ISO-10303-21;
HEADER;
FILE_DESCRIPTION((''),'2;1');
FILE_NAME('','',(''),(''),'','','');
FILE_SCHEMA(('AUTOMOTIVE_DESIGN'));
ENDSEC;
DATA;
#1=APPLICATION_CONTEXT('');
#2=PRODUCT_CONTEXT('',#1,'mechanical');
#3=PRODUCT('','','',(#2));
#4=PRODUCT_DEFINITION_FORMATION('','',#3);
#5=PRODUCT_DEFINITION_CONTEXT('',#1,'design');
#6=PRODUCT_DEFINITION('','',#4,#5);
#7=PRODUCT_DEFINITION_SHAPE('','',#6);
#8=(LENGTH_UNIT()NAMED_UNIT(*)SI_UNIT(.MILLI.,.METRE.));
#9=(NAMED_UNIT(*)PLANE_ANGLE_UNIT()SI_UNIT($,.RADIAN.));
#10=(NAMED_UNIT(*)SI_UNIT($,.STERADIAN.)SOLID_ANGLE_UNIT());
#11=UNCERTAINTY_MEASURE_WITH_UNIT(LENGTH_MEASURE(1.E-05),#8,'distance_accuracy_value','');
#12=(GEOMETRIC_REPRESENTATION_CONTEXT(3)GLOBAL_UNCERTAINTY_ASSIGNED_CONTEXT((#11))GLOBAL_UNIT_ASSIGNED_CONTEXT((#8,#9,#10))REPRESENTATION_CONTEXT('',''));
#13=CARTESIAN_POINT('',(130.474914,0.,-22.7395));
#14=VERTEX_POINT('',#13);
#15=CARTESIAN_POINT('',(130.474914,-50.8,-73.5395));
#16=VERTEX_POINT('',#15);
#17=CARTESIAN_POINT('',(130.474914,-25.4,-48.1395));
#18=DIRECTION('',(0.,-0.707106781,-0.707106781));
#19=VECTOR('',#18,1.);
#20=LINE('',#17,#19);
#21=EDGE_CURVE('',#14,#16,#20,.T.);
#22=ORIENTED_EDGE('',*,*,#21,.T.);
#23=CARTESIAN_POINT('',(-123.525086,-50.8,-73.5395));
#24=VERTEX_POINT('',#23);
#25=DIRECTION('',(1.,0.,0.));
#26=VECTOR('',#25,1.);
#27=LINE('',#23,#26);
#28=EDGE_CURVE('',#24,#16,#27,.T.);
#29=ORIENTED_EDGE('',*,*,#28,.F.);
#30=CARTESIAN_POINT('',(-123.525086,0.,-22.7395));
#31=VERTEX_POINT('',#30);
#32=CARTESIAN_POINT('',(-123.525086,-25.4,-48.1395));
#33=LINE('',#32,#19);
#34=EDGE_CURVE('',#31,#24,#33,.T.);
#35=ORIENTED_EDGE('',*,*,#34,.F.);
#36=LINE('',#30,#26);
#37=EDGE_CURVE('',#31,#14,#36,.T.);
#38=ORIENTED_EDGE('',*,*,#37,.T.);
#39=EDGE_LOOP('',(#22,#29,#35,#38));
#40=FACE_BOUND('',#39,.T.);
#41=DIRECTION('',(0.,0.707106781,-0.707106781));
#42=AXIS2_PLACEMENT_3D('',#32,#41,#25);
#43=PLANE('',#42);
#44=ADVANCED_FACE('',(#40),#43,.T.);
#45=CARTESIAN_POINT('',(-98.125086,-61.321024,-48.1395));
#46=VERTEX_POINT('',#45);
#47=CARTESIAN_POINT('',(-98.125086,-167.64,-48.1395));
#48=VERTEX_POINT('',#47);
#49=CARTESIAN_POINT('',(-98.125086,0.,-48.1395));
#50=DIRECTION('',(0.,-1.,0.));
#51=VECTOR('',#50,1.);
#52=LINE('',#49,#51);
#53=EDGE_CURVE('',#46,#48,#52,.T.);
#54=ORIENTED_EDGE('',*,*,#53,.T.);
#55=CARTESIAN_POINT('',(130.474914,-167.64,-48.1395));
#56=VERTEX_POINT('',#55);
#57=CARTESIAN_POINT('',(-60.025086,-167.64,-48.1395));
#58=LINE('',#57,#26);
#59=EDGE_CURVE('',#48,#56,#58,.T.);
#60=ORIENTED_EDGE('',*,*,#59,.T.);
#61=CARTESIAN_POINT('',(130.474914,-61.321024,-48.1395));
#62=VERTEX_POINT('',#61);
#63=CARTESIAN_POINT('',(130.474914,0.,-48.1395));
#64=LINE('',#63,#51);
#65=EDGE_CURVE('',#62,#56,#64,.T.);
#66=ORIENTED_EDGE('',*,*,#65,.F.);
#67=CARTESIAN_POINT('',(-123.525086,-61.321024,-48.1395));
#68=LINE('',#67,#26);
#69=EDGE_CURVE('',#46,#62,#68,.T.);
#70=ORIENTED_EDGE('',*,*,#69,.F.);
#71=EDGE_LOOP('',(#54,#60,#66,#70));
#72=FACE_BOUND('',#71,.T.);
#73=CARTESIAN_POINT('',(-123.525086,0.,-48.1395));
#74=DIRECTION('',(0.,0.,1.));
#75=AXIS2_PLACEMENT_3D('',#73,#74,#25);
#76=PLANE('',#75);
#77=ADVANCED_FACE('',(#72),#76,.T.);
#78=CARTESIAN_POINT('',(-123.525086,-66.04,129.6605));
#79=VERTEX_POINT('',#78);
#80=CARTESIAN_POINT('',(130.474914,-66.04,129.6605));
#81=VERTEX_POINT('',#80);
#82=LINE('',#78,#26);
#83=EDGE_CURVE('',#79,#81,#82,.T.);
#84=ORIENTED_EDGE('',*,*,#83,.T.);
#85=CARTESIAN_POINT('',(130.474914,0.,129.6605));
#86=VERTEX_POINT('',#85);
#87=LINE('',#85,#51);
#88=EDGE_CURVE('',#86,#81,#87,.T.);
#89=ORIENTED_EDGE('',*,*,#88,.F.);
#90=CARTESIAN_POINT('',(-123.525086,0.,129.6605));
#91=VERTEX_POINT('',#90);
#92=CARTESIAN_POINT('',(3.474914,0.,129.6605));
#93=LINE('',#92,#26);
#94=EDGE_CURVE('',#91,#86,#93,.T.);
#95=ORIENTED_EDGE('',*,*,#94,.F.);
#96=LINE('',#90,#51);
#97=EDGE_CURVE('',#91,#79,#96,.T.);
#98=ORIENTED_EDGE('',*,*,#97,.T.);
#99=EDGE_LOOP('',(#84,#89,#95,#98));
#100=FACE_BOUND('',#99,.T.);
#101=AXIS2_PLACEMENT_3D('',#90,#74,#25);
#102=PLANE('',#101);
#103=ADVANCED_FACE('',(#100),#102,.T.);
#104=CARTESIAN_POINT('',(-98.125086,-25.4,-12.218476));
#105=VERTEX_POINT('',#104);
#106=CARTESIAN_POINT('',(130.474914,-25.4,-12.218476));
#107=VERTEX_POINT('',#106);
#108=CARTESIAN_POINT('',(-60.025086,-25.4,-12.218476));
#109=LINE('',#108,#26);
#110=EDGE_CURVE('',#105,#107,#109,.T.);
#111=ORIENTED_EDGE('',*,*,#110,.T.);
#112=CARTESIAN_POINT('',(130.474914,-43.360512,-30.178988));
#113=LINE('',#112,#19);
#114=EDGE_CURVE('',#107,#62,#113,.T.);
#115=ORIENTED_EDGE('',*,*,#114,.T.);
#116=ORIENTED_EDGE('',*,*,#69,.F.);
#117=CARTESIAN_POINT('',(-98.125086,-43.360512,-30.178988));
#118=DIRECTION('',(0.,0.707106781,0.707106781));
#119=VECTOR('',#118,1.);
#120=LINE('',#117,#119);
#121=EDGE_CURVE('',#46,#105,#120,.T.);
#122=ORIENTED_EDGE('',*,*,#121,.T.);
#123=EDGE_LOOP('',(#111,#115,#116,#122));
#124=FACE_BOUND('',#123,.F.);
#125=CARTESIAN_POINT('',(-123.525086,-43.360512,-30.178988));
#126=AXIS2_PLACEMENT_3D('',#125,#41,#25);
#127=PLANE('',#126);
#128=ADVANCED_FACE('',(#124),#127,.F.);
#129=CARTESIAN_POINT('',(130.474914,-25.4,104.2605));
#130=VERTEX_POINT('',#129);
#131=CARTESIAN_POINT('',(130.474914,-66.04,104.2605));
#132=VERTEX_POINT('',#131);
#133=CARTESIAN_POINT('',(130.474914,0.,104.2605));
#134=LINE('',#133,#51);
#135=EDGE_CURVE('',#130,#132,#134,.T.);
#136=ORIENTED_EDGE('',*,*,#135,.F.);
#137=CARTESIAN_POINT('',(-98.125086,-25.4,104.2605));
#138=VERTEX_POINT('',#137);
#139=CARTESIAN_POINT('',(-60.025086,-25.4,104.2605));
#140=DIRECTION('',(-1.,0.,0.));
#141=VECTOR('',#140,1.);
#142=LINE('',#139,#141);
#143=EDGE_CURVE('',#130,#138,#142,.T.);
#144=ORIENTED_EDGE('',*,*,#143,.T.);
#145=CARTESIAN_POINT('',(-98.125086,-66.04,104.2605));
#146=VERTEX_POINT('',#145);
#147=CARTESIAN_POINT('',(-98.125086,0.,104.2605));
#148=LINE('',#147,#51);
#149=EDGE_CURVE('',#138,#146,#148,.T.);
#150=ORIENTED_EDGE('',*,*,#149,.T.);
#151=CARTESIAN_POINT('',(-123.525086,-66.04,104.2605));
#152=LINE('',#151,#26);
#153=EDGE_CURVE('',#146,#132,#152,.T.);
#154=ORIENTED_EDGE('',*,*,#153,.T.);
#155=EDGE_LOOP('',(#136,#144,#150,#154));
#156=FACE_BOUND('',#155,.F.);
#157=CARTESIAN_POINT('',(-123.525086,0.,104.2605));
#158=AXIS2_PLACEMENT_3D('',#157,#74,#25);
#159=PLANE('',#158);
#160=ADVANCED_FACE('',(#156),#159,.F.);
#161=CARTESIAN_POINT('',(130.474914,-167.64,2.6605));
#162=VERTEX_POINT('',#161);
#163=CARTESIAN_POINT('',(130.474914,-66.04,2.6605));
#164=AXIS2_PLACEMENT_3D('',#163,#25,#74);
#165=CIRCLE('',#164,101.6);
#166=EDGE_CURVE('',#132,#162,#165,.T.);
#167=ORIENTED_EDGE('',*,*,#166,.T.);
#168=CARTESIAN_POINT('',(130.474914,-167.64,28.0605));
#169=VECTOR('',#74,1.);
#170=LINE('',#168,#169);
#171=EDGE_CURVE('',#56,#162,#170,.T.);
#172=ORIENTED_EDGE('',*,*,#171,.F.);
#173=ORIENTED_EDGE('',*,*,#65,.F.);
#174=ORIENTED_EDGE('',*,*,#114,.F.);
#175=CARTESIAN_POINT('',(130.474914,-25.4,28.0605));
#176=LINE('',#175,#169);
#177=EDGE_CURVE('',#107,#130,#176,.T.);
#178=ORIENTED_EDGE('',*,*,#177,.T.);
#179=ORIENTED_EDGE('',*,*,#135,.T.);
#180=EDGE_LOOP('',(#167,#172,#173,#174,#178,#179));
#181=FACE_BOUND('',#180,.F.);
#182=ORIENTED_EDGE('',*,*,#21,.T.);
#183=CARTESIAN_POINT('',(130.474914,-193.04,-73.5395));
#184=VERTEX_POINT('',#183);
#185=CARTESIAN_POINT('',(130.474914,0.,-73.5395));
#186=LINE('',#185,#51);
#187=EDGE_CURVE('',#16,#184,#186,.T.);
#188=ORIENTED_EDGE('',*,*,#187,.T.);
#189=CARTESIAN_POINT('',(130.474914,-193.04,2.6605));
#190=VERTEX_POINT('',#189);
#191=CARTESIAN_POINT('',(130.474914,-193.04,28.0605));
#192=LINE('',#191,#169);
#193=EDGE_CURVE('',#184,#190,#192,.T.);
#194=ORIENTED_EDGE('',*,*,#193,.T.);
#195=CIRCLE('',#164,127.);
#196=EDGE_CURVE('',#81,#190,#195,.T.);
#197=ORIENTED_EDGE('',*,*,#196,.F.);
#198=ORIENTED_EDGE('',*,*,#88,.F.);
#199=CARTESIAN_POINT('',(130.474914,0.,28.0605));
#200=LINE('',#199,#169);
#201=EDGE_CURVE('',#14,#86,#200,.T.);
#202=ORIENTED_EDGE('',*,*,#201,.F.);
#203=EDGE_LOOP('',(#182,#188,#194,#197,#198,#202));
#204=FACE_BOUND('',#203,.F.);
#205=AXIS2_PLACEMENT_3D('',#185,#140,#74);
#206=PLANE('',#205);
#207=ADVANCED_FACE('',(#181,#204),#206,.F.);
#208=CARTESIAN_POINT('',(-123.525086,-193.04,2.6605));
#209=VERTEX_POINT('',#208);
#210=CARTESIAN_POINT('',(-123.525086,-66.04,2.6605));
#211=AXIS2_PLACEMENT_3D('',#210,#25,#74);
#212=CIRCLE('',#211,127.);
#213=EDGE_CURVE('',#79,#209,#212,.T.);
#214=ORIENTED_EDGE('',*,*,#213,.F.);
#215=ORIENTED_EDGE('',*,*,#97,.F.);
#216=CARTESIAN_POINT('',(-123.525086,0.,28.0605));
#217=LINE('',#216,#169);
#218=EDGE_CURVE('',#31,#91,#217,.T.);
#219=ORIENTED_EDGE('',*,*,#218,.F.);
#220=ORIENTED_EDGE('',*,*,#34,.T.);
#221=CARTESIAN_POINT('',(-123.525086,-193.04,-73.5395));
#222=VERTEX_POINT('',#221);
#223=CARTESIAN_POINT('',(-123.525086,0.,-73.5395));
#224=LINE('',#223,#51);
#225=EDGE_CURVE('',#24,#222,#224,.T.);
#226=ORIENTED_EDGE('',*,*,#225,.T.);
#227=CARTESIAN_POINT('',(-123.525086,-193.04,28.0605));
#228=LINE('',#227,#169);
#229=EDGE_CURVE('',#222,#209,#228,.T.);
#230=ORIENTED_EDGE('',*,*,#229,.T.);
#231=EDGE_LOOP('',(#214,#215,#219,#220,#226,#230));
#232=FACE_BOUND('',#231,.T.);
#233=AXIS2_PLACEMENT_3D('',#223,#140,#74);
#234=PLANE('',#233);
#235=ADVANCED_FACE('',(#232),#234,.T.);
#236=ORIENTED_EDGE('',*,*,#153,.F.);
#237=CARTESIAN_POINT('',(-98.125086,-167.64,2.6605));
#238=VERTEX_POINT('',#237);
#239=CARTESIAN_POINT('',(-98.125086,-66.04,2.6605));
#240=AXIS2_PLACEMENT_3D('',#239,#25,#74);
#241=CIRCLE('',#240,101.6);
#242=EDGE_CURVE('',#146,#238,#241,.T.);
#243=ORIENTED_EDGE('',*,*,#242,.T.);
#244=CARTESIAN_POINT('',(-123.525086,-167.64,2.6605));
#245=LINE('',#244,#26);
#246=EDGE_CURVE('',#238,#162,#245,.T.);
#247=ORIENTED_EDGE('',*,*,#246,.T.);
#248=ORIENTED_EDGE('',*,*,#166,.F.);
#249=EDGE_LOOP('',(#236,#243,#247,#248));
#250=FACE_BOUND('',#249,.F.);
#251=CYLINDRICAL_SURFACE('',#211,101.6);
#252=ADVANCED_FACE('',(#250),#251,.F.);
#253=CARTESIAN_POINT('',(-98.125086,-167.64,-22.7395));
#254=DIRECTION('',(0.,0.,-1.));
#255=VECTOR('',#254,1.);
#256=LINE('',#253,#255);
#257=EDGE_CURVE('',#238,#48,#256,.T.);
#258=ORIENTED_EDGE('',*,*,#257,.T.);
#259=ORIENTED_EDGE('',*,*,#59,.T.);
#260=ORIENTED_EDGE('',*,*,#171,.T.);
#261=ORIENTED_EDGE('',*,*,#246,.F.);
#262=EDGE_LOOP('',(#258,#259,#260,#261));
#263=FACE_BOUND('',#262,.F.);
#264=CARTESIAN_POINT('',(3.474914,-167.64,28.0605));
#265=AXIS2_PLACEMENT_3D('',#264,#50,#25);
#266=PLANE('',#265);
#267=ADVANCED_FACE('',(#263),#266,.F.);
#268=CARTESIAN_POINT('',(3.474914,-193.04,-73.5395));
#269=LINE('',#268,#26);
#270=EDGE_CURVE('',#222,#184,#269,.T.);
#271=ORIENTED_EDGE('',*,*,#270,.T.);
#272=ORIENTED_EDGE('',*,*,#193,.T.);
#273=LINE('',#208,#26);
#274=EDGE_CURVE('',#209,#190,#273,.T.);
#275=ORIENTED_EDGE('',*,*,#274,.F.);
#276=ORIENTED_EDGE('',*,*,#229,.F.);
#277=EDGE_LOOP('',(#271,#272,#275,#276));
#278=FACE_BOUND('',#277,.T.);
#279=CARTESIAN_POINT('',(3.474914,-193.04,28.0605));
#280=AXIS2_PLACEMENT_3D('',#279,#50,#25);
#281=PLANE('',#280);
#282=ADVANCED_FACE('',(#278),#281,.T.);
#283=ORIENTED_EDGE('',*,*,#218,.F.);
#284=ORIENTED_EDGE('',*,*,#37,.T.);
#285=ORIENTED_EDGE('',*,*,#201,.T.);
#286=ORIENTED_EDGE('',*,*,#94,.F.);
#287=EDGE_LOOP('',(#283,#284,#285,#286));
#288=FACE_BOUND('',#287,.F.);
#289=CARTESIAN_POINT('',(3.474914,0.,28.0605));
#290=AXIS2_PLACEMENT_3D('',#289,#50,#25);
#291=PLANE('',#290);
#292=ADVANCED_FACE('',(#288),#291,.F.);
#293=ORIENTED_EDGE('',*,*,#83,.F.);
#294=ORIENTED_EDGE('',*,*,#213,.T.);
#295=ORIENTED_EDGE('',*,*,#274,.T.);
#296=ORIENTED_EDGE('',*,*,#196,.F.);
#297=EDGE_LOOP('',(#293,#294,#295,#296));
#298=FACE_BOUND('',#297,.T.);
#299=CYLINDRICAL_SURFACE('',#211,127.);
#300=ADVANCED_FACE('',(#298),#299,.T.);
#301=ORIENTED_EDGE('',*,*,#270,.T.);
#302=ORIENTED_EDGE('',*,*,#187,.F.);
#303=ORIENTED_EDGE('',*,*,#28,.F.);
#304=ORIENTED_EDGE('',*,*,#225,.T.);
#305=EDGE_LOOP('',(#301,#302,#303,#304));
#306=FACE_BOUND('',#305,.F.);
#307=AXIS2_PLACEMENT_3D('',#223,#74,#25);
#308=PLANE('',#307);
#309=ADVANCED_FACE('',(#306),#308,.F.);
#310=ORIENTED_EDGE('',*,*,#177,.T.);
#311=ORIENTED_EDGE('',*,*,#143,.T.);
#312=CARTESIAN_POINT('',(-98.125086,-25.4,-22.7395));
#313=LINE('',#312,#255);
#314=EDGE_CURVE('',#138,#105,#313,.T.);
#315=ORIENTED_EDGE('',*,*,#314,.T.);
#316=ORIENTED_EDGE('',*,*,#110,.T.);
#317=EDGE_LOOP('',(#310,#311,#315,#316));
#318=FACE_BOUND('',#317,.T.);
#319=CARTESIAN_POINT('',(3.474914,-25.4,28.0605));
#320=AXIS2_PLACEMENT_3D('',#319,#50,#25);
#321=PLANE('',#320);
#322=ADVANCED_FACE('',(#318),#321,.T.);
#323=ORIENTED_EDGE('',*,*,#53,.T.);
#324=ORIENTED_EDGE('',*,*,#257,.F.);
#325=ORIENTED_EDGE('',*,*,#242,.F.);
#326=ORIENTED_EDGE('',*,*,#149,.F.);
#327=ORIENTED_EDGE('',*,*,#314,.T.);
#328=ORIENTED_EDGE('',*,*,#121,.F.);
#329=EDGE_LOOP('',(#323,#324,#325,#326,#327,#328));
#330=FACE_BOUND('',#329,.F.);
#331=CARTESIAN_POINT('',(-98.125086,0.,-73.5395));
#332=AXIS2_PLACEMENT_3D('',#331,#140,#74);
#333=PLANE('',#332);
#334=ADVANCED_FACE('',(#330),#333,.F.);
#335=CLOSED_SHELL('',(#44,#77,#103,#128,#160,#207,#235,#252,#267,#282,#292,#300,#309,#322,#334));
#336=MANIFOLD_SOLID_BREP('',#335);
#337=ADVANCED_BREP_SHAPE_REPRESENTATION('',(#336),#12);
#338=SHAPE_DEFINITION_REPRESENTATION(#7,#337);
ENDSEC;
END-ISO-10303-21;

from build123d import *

# Parameters (mm, degrees)
F0_W     = 254
F0_H     = 203.2
F1_DEPTH = 193.04
F2_R     = 127
F3_SIZE  = 50.8
F4_T     = -25.4


with BuildPart() as f1:
    # F0 (on Front) → F1 (new body)
    with BuildSketch(Plane.XZ):
        with Locations((3.474914, 28.0605)):
            Rectangle(F0_W, F0_H)
    extrude(amount=F1_DEPTH)

    # F2
    f2_edges = [f1.edges().sort_by_distance(p)[0] for p in [
        (3.474914, -193.04, 129.6605),
    ]]
    fillet(f2_edges, radius=F2_R)

    # F3
    f3_edges = [f1.edges().sort_by_distance(p)[0] for p in [
        (3.474914, 0, -73.5395),
    ]]
    chamfer(f3_edges, length=F3_SIZE)

    # F4
    f4_openings = [f1.faces().sort_by_distance(p)[0] for p in [
        (130.474914, -92.656111, 23.8767),
    ]]
    offset(amount=F4_T, openings=f4_openings)


solid = f1.part
